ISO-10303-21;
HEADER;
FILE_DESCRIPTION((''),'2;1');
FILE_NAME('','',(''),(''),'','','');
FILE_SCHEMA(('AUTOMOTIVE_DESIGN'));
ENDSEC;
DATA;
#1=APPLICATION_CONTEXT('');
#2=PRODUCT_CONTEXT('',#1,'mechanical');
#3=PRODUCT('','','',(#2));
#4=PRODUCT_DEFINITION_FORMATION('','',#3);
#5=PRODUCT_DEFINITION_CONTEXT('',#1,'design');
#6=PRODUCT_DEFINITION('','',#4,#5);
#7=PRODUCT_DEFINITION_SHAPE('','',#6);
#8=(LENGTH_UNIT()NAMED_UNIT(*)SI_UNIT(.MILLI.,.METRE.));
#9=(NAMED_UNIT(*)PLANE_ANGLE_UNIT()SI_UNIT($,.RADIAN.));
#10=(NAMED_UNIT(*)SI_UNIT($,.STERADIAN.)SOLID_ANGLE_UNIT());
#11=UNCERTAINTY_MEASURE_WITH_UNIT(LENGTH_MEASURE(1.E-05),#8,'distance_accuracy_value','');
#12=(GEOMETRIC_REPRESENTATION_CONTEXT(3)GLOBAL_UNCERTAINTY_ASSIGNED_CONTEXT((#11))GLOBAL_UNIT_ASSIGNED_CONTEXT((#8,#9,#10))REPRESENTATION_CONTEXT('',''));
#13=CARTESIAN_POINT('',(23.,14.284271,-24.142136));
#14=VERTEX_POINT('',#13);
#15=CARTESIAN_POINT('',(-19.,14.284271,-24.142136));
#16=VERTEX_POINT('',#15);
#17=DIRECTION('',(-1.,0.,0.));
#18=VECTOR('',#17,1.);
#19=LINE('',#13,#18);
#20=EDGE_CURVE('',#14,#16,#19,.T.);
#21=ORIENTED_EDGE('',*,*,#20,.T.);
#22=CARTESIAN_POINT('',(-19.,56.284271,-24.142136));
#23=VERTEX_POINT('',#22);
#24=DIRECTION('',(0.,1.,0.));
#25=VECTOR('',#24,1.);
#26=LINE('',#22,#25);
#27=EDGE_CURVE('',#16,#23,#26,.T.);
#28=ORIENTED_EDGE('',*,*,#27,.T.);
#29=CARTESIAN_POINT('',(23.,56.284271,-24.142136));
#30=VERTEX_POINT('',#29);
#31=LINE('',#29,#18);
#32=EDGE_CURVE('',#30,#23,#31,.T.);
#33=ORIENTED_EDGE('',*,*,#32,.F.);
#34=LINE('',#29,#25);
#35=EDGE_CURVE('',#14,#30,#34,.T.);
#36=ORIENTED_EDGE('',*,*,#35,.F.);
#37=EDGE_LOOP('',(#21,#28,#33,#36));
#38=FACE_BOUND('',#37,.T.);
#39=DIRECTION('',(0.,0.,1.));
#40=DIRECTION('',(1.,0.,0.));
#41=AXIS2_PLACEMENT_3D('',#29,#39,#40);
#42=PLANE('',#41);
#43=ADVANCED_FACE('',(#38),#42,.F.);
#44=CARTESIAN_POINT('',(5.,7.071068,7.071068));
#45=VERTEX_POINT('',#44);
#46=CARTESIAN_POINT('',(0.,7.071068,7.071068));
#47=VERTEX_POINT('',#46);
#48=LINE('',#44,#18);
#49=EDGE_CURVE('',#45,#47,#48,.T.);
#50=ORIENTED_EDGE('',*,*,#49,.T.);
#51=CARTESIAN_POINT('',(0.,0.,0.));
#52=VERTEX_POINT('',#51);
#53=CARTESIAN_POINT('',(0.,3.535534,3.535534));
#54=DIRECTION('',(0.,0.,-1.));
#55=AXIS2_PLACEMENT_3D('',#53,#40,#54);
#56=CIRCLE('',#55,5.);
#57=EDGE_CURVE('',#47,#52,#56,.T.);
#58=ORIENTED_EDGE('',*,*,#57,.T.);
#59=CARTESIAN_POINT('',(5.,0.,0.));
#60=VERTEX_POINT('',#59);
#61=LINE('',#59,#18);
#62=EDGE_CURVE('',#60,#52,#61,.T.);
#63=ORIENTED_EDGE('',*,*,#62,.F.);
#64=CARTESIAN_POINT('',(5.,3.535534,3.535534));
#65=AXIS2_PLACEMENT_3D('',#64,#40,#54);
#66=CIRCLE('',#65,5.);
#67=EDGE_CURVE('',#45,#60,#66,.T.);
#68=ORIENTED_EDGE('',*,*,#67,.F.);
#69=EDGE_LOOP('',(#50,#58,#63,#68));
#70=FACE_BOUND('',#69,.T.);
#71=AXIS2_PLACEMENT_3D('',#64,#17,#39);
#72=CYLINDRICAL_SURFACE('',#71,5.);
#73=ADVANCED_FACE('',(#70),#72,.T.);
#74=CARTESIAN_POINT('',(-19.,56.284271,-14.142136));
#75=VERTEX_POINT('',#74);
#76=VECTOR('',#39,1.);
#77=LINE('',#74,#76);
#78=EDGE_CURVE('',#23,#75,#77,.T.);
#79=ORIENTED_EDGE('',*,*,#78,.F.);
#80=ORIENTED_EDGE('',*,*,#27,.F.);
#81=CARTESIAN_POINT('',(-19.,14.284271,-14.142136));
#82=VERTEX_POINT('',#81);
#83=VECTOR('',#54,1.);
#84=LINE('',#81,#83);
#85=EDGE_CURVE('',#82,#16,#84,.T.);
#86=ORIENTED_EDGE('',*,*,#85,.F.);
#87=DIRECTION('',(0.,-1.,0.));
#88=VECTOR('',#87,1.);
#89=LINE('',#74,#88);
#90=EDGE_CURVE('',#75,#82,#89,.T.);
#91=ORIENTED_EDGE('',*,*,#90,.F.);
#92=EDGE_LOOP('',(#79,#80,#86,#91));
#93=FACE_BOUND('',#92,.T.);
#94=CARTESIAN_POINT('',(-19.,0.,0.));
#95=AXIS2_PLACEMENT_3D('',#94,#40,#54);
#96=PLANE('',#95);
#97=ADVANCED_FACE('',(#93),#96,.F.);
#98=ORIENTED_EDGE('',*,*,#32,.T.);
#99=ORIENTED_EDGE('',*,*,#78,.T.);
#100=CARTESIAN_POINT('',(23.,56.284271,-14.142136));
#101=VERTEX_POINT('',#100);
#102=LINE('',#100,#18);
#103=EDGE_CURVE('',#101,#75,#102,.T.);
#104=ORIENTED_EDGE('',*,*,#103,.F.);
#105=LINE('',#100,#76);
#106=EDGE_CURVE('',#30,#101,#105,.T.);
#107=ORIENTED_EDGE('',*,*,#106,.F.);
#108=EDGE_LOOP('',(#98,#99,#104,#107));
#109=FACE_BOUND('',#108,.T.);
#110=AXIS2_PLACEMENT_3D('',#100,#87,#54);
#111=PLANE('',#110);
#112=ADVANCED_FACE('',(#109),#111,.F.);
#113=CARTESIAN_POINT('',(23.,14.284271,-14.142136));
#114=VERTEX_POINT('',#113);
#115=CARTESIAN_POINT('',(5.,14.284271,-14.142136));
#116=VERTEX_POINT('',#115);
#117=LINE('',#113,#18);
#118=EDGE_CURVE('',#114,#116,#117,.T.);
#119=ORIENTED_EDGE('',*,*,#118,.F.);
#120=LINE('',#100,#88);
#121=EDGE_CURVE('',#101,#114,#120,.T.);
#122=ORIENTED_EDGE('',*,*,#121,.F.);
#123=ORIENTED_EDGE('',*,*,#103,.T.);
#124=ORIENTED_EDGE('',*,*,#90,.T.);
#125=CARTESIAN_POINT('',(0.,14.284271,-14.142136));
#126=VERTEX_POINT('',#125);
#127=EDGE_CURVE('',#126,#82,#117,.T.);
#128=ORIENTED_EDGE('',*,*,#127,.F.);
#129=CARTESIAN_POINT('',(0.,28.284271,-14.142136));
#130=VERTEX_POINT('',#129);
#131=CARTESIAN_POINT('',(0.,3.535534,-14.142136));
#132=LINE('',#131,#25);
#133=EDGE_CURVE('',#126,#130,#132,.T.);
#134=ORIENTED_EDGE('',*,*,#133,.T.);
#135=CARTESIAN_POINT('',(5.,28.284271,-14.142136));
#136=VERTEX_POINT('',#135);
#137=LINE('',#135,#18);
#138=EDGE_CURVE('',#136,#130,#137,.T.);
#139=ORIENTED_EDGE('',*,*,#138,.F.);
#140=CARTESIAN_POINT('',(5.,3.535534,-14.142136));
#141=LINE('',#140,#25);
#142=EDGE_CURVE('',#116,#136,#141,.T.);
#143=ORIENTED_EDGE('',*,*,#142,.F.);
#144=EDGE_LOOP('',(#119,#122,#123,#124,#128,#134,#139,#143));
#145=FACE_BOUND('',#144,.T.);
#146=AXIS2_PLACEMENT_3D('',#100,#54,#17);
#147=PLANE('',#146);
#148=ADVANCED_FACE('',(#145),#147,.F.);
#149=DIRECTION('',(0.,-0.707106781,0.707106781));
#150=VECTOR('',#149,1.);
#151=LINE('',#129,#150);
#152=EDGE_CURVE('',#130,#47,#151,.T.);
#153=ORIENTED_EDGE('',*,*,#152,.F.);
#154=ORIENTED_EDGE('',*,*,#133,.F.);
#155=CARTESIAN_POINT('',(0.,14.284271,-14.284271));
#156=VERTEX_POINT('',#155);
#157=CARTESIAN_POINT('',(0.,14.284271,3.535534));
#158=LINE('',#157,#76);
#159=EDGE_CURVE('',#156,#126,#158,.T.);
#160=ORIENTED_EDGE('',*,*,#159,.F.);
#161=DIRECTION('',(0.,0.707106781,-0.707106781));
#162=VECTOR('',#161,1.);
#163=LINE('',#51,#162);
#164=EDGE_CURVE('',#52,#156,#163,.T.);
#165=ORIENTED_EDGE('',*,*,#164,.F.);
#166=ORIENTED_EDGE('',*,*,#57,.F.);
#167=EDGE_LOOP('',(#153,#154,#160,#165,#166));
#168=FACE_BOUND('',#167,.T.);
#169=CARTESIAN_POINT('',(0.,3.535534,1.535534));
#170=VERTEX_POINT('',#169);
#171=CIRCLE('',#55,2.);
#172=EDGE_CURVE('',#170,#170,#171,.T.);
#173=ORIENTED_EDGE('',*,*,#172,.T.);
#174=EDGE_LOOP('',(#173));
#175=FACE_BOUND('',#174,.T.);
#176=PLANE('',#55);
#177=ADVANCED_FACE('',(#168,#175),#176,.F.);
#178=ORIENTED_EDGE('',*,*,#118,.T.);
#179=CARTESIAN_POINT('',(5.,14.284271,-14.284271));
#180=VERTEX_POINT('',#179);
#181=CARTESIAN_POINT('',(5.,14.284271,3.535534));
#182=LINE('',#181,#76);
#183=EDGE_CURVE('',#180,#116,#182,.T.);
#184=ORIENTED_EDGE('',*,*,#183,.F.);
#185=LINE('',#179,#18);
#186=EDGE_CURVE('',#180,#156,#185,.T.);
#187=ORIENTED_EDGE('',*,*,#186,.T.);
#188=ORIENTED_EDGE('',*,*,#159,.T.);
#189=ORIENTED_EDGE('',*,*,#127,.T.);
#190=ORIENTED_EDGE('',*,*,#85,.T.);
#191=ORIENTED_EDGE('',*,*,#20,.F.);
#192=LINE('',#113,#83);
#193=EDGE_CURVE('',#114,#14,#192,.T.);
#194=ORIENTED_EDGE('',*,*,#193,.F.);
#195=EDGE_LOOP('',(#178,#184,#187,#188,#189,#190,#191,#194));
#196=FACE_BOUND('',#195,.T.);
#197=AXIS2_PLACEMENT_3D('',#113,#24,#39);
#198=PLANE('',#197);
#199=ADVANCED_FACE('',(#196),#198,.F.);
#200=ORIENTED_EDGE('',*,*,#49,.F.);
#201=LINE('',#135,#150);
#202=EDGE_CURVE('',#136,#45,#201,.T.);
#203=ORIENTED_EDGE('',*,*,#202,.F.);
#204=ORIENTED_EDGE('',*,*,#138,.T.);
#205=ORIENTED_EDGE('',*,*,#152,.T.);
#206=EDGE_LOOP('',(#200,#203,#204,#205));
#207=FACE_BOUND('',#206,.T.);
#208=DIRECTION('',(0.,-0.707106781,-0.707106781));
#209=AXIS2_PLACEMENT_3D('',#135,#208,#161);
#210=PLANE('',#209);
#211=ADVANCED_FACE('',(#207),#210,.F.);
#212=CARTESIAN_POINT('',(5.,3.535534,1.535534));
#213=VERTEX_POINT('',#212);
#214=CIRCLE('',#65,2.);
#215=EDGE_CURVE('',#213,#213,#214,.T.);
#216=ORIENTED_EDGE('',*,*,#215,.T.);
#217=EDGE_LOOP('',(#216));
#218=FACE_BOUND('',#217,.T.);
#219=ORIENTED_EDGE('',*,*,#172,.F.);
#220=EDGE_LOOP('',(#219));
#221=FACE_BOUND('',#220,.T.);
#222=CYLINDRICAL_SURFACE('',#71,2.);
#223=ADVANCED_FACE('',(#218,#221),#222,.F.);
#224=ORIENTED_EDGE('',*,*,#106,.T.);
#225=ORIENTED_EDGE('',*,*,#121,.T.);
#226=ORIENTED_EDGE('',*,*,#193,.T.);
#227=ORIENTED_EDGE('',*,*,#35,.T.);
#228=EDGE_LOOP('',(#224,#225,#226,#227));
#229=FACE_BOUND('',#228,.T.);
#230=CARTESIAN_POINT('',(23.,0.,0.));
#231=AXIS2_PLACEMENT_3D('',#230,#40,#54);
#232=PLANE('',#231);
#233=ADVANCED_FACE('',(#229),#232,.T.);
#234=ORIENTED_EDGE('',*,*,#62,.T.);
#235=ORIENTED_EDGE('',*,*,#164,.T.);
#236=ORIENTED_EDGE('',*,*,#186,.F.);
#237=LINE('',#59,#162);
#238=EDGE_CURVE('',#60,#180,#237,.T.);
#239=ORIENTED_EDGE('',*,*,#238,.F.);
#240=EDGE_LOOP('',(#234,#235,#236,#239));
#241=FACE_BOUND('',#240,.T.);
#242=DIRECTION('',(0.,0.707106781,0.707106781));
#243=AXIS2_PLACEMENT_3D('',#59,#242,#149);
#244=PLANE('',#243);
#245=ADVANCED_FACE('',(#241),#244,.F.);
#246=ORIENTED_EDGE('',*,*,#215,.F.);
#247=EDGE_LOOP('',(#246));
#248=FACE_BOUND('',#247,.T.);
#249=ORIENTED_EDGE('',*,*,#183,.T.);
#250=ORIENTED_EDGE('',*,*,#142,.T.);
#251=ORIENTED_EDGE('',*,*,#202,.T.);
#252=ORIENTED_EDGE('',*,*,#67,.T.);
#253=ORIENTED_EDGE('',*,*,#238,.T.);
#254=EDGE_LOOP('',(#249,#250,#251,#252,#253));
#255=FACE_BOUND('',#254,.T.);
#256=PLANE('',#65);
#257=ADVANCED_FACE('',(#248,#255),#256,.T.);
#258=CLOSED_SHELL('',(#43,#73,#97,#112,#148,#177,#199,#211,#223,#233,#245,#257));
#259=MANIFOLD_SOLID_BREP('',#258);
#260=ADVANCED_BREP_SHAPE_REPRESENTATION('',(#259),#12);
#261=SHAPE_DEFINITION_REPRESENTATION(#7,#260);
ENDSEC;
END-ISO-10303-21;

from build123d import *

# Parameters (mm, degrees)
CROQUIS1_R                    = 2
SALIENTE_EXTRUIR9_DEPTH       = 5
SALIENTE_EXTRUIR10_DEPTH      = 18
SALIENTE_EXTRUIR10_DEPTH_BACK = 24
CROQUIS7_W                    = 10
CROQUIS7_H                    = 42


with BuildPart() as part:
    # Croquis1 → Saliente-Extruir9 (new body)
    with BuildSketch(Plane(origin=(0, 0, 0), x_dir=(0, 0, -1), z_dir=(1, 0, 0))):
        with BuildLine():
            Line((0, 0), (21.213203436, 21.213203436))
            Line((21.213203436, 21.213203436), (14.142135624, 28.284271247))
            Line((14.142135624, 28.284271247), (-7.071067812, 7.071067812))
            ThreePointArc((-7.071067812, 7.071067812), (-7.071067812, 0), (0, 0))
        make_face()
        with Locations((-3.535533906, 3.535533906)):
            Circle(CROQUIS1_R, mode=Mode.SUBTRACT)
    extrude(amount=SALIENTE_EXTRUIR9_DEPTH)

    # Croquis7 → Saliente-Extruir10 (add, two sides: drawn at the far end of the back side and taken through both)
    with BuildSketch(Plane(origin=(5, 0, 0), x_dir=(0, 0, -1), z_dir=(1, 0, 0)).offset(-SALIENTE_EXTRUIR10_DEPTH_BACK)):
        with Locations((19.142135624, 35.284271247)):
            Rectangle(CROQUIS7_W, CROQUIS7_H)
    extrude(amount=SALIENTE_EXTRUIR10_DEPTH + SALIENTE_EXTRUIR10_DEPTH_BACK)


solid = part.part
